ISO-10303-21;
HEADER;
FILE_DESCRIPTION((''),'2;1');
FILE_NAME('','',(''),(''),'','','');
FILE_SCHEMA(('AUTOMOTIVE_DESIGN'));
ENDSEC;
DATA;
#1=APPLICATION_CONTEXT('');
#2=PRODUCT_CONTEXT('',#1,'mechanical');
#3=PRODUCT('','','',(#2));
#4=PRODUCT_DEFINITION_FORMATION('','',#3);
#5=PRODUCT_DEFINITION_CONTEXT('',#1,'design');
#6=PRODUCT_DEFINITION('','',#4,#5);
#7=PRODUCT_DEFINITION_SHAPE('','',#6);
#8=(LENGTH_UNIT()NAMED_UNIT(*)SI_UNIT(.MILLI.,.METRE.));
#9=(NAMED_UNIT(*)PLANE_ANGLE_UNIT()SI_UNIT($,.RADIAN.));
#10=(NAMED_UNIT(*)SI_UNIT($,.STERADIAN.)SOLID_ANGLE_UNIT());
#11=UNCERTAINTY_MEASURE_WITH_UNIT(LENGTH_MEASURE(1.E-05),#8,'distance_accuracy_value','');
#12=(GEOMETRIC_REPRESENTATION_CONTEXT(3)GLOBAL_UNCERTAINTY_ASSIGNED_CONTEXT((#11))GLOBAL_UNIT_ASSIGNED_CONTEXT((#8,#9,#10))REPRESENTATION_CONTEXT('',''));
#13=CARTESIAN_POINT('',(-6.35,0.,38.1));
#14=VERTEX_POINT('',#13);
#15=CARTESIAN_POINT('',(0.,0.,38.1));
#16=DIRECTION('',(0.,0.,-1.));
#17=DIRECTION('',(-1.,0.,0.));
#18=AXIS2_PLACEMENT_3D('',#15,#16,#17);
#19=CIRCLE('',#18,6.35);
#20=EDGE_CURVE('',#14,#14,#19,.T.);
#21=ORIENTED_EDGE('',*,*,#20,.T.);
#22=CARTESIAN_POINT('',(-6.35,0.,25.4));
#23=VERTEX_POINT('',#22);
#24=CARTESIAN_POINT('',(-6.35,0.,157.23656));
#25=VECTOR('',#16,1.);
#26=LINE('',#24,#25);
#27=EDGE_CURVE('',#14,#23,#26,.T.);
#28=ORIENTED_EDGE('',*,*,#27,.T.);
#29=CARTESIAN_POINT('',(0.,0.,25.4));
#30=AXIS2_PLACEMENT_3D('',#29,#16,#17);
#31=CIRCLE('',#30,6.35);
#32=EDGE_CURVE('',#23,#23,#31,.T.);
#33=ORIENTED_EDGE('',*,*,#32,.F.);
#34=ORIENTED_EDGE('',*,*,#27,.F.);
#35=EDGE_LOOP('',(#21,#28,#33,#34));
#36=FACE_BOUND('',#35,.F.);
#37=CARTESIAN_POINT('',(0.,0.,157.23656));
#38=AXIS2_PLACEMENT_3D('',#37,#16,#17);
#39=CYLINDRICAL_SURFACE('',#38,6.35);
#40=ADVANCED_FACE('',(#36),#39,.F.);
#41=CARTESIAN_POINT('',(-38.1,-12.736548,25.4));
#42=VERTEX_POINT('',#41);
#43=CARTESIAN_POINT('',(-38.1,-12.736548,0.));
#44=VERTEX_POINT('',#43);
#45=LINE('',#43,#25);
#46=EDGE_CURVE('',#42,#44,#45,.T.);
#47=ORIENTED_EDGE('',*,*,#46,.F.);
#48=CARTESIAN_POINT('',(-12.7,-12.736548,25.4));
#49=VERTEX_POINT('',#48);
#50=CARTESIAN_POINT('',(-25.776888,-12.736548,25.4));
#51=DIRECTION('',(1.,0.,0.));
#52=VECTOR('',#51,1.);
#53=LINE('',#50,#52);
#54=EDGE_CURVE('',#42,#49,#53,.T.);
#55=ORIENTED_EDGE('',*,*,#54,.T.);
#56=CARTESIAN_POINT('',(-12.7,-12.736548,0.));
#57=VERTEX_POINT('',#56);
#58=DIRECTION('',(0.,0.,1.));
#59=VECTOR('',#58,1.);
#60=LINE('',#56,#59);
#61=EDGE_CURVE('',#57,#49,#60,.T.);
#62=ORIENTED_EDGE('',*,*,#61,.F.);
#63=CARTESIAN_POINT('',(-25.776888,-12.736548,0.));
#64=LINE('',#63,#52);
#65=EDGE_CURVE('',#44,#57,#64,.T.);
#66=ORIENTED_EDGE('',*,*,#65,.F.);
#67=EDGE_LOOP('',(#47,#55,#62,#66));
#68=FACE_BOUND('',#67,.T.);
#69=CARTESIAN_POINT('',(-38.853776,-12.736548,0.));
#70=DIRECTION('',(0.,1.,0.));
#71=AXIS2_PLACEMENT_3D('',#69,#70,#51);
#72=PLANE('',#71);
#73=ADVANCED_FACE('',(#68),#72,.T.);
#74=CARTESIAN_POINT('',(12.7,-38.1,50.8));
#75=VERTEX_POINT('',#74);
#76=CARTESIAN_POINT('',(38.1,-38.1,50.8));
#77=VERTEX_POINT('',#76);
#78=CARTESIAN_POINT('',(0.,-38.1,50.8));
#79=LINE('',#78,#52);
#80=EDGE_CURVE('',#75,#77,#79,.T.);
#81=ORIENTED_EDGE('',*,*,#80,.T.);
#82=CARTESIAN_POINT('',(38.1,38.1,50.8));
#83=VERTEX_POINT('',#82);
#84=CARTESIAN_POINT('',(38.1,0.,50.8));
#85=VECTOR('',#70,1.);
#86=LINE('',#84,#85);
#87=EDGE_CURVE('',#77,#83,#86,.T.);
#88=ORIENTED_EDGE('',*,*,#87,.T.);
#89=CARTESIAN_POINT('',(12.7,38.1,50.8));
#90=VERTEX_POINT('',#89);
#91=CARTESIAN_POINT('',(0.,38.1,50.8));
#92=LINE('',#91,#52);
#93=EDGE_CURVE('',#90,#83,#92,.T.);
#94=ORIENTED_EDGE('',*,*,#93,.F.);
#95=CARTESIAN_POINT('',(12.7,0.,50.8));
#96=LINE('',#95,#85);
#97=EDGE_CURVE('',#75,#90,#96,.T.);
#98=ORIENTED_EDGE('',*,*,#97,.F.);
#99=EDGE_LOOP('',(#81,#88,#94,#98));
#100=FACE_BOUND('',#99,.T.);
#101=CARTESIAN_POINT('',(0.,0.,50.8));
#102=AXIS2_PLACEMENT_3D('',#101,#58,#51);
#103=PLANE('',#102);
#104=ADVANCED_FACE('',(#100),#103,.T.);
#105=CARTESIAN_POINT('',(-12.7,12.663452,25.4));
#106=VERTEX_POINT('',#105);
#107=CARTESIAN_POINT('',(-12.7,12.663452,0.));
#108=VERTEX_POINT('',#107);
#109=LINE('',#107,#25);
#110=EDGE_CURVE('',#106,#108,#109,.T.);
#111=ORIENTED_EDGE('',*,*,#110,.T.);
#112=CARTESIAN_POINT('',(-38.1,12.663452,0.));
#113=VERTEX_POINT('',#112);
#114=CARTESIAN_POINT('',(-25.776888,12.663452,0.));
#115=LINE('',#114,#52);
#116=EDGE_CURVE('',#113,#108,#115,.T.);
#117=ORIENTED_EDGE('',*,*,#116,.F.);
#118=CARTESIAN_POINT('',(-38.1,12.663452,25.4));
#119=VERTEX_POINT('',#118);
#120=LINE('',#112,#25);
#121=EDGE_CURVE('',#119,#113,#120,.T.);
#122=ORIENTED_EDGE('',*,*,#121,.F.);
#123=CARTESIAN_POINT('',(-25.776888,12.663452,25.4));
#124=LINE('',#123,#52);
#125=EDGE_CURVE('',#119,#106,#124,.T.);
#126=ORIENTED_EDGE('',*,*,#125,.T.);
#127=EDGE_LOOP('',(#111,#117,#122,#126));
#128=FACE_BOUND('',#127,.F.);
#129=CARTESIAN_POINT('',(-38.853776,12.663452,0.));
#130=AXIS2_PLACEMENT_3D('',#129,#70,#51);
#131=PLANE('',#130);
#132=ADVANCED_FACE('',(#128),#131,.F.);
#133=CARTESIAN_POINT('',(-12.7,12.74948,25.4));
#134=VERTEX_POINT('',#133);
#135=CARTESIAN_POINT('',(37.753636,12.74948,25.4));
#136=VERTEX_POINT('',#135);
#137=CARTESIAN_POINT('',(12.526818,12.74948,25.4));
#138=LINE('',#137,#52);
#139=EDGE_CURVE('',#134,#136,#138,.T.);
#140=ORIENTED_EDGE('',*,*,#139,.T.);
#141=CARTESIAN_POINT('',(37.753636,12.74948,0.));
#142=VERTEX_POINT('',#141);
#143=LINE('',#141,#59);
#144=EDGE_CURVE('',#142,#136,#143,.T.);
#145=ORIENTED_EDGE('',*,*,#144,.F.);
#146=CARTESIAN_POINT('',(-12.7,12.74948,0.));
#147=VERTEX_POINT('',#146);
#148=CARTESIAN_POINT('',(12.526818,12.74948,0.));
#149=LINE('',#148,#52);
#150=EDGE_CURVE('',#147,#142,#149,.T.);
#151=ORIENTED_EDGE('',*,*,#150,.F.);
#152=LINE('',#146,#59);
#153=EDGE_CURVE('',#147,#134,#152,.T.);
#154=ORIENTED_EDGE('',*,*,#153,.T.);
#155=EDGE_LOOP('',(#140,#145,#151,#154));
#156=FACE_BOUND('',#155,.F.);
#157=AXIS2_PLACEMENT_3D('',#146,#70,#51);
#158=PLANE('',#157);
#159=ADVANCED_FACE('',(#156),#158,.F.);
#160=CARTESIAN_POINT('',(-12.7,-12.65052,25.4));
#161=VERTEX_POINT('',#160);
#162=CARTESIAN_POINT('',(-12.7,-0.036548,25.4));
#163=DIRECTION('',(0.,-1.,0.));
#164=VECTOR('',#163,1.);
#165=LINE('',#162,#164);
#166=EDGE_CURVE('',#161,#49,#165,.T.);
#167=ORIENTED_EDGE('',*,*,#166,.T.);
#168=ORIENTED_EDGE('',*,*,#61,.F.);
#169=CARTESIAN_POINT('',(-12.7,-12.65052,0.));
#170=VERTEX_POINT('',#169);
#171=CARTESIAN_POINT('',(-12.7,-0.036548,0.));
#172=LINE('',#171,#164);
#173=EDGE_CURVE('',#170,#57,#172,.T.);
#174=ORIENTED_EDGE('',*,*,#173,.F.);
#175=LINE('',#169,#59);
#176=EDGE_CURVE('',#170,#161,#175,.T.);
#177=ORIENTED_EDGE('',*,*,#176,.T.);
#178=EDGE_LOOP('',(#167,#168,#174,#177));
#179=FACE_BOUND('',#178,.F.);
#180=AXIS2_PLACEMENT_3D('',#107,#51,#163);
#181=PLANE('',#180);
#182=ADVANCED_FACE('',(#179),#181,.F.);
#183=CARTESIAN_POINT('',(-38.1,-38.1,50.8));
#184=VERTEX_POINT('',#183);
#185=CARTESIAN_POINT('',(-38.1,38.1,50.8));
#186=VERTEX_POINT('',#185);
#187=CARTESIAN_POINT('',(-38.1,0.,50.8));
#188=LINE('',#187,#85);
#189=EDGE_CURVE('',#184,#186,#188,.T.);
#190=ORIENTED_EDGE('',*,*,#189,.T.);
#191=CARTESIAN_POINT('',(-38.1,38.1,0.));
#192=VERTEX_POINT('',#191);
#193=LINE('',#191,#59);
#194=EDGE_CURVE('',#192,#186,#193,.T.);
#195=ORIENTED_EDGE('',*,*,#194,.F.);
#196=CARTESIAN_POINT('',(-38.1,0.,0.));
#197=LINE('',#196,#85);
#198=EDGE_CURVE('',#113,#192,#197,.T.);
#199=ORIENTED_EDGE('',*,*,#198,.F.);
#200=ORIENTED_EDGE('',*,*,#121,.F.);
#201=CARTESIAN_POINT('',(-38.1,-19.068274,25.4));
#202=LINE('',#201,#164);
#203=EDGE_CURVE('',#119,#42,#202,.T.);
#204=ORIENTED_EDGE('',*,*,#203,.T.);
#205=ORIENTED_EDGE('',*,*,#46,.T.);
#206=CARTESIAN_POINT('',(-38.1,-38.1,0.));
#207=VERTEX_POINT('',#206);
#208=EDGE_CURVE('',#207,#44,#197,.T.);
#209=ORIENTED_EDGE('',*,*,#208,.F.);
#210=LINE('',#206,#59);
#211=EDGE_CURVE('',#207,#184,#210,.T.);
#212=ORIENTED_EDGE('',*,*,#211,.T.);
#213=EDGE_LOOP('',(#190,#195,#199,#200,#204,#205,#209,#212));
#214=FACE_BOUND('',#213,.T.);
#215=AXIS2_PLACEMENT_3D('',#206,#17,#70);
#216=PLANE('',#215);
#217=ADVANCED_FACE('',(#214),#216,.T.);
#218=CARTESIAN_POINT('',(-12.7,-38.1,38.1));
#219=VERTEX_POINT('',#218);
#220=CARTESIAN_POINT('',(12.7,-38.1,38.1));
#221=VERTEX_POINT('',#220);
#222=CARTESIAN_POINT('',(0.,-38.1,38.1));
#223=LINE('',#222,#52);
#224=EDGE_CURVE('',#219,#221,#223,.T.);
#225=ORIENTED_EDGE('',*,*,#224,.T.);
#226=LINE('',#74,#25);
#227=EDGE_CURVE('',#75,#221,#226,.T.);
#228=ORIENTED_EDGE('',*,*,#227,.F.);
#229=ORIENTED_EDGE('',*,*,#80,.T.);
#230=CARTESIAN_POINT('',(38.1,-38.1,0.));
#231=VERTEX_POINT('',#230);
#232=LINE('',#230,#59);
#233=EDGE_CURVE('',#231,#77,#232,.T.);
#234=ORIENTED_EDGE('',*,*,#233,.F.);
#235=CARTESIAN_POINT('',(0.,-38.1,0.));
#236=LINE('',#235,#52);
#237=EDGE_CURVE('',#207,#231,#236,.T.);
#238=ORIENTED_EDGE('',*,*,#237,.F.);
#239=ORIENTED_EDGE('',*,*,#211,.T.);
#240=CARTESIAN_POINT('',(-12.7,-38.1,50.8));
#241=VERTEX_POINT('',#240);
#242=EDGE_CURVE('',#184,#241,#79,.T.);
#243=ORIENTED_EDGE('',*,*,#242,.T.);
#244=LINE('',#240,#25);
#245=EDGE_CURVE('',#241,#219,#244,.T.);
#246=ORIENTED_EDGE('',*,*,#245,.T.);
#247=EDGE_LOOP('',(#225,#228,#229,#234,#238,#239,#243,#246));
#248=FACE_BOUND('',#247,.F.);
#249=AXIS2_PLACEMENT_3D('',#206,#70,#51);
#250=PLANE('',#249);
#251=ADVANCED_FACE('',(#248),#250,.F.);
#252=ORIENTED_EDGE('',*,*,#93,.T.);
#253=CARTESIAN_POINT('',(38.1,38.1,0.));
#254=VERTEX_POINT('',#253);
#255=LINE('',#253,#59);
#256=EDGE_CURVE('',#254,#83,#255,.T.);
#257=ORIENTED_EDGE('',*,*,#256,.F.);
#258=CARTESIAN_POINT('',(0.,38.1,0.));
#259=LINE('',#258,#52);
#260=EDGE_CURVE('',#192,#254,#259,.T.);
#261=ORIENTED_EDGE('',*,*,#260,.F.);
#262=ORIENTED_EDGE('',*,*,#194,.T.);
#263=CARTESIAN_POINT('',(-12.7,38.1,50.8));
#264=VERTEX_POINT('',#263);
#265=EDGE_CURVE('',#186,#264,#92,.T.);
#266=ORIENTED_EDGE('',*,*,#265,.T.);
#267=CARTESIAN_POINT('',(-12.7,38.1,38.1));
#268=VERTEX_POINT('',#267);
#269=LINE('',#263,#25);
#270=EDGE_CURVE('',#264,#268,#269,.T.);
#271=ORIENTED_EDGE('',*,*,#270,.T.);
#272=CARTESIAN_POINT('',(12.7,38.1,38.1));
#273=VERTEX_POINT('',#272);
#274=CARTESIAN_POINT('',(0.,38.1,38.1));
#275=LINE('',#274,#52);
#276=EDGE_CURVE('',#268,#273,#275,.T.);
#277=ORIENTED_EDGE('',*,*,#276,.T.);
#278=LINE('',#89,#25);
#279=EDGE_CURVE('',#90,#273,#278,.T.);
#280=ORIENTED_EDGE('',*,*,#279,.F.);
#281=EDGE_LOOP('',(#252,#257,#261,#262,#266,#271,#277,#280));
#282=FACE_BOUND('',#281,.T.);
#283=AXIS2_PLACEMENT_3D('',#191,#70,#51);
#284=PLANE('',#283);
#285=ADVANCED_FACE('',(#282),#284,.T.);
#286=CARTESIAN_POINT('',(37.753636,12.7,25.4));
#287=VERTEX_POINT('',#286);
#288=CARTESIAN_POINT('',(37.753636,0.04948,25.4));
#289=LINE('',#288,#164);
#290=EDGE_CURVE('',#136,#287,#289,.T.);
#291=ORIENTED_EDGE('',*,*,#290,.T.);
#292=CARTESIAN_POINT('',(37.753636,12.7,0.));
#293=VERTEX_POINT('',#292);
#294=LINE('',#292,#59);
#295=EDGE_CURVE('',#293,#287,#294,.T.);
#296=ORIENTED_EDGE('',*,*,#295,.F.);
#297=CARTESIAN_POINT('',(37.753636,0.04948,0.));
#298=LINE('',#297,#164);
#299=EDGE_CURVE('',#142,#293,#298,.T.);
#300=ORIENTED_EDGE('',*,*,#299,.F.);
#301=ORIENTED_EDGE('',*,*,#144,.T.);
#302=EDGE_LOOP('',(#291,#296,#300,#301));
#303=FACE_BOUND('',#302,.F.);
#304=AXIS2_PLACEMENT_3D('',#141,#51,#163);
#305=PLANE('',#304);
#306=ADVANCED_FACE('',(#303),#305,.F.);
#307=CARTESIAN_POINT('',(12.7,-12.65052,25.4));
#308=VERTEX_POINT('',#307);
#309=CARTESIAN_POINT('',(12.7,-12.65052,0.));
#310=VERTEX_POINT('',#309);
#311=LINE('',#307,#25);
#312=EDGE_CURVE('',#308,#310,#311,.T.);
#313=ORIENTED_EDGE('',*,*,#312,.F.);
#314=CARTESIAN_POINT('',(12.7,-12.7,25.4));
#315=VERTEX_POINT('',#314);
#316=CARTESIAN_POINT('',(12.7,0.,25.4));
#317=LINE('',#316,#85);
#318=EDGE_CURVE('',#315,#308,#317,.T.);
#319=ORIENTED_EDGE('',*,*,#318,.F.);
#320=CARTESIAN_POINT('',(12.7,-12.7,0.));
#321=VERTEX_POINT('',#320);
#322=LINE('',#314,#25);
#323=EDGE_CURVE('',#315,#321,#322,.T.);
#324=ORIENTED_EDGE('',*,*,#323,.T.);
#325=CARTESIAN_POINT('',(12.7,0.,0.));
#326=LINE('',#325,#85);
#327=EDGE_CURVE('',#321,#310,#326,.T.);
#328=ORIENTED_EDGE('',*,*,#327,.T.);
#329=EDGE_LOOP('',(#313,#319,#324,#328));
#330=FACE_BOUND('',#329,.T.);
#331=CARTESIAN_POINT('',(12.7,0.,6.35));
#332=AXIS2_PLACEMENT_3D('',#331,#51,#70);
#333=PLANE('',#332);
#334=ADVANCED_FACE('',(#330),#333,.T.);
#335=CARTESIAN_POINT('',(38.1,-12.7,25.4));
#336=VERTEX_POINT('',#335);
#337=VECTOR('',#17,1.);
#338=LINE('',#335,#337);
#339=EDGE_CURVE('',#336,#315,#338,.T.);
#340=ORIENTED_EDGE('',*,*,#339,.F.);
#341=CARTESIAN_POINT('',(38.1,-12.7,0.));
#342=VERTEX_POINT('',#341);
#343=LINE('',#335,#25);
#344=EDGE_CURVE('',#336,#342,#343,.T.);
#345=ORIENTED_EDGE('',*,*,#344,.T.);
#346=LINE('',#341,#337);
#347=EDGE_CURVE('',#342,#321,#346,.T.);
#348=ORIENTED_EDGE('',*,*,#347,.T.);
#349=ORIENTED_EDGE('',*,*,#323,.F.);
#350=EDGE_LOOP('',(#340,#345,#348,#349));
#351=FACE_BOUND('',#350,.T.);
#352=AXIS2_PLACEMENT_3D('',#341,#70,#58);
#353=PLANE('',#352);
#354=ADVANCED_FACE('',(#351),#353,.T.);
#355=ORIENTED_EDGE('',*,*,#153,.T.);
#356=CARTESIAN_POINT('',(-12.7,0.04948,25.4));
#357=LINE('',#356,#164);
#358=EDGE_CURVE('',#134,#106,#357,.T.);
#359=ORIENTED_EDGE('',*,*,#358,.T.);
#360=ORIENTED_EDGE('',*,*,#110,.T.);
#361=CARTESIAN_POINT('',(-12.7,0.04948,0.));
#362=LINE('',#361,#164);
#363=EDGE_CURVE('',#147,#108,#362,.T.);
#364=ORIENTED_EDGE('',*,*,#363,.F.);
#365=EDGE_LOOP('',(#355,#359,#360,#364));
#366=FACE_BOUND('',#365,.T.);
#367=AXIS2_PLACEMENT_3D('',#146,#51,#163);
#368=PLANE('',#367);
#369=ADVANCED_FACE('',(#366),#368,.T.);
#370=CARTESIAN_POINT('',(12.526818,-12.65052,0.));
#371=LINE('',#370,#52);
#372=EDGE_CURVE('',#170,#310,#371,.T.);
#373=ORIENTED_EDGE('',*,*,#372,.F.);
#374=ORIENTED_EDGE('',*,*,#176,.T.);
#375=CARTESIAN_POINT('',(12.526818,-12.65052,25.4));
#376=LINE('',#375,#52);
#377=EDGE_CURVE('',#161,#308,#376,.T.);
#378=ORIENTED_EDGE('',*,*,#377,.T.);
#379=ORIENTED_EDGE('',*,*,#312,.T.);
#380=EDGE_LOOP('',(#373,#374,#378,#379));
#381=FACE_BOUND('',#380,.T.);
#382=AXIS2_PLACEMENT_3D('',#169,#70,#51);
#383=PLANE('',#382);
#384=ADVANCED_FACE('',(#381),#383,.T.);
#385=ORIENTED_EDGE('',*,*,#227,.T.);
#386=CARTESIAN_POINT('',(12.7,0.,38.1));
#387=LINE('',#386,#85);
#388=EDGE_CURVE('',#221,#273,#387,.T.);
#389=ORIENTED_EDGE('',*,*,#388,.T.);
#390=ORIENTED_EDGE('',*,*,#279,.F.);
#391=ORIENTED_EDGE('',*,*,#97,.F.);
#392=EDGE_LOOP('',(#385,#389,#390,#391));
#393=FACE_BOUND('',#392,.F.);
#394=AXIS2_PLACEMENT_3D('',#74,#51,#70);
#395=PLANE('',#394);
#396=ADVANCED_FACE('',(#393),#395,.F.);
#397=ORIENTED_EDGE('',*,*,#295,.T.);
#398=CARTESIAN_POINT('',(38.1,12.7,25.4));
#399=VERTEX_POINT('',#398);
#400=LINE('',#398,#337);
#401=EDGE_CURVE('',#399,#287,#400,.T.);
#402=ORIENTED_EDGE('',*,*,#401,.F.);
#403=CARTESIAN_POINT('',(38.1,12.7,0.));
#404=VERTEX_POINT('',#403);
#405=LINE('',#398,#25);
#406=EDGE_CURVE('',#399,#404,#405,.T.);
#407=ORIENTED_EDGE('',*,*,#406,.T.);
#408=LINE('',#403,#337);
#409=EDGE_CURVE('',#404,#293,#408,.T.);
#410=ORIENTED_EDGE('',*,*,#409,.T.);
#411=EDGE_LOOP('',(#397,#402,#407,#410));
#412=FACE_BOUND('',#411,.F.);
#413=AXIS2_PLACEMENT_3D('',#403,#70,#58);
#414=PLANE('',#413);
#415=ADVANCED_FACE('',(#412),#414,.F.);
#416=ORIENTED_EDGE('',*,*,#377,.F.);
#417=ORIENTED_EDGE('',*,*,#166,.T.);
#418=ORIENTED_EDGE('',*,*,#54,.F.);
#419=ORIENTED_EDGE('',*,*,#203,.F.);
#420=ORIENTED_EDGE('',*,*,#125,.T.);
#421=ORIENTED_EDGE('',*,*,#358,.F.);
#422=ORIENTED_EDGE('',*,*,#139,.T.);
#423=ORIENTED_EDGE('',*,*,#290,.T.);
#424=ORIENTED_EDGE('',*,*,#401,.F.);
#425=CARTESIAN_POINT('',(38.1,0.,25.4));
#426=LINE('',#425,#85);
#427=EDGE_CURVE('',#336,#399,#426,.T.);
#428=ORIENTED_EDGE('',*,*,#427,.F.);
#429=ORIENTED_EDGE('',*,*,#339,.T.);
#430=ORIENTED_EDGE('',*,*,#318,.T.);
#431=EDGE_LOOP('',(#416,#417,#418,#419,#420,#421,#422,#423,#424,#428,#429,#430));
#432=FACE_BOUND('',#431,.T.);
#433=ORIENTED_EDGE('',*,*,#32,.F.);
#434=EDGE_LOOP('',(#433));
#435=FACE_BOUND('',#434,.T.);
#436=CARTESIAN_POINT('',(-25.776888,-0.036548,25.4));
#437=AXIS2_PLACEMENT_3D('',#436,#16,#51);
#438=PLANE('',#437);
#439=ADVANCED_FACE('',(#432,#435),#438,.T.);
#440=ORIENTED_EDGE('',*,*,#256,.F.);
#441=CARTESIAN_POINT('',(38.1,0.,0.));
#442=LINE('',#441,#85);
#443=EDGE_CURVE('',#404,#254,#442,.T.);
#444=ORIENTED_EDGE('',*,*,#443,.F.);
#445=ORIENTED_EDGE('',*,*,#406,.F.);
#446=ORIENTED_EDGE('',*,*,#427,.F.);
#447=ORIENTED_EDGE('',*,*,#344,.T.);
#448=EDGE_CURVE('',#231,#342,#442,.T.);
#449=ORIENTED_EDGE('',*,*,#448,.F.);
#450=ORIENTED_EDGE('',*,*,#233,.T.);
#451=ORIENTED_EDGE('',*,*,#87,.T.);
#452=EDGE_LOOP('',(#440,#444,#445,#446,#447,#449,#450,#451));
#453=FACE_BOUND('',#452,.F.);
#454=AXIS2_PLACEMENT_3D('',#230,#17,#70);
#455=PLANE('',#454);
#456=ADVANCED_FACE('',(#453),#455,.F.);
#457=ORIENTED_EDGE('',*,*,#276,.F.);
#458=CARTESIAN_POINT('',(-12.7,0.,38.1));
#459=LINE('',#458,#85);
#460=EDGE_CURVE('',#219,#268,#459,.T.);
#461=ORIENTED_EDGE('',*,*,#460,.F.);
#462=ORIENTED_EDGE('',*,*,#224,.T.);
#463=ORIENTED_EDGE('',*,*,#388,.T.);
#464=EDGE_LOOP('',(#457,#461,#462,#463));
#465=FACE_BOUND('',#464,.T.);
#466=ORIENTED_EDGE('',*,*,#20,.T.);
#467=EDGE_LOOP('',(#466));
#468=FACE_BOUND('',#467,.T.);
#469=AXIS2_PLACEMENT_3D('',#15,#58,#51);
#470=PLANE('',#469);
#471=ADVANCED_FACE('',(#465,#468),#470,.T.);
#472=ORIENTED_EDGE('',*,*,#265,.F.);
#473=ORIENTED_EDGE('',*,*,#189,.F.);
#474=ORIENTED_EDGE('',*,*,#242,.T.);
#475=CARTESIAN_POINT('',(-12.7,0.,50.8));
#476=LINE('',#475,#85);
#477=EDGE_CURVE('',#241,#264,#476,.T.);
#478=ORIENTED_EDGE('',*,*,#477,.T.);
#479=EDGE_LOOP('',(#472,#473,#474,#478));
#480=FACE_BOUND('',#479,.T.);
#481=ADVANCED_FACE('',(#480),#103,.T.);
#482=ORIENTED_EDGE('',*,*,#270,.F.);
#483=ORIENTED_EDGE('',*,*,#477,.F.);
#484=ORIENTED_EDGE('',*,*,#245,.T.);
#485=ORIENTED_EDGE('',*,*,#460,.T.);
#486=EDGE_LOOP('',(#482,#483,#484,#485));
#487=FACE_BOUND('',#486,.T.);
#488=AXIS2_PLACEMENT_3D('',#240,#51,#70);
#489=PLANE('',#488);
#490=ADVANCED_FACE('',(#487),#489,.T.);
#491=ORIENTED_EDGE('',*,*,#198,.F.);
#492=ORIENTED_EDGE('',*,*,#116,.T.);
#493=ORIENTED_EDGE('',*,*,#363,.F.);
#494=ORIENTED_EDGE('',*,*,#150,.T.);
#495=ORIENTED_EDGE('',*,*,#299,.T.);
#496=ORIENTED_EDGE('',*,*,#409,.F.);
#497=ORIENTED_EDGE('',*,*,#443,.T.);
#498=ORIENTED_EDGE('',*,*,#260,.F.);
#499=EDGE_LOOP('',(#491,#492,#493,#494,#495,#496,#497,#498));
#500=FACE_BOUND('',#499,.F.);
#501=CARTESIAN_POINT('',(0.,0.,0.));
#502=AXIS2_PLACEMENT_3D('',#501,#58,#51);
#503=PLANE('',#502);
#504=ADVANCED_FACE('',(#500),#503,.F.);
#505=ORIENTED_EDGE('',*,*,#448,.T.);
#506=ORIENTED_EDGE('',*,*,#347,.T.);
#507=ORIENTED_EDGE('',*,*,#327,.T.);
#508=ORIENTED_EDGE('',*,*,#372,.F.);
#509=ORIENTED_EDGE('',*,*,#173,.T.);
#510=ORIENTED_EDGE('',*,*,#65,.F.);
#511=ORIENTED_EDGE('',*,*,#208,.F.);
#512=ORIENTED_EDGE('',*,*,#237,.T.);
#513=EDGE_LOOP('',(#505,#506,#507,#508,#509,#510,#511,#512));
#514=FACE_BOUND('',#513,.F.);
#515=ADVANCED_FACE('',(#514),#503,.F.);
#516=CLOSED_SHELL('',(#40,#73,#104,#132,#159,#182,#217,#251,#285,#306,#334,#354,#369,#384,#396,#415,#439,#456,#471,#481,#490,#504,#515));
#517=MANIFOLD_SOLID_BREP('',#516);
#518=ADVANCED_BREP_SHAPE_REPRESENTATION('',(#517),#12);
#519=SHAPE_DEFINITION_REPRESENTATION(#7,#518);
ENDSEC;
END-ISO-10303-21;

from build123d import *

# Parameters (mm, degrees)
F0_W      = 76.2
F0_H      = 76.2
F1_DEPTH  = 50.8
F2_W      = 25.4
F2_H      = 76.2
F3_DEPTH  = 12.7
F6_W      = 26.153776
F6_H      = 25.4
F7_DEPTH  = 25.4
F5_W      = 50.453637
F5_H      = 25.4
F8_DEPTH  = 25.4
F9_W      = 25.4
F9_H      = 12.7
F10_DEPTH = 25.4
F11_W     = 25.4
F11_H     = 12.7
F12_DEPTH = 25.4
F14_D     = 12.7


with BuildPart() as f1:
    # F0 (on Top) → F1 (new body)
    with BuildSketch(Plane.XY):
        Rectangle(F0_W, F0_H)
    extrude(amount=F1_DEPTH)

    # F2 (on face) → F3 (cut)
    with BuildSketch(Plane.XY.offset(50.8)):
        Rectangle(F2_W, F2_H)
    extrude(amount=-F3_DEPTH, mode=Mode.SUBTRACT)

    # F6 (on face) → F7 (cut)
    with BuildSketch(Plane(origin=(0, 0, 0), x_dir=(1, 0, 0), z_dir=(0, 0, -1))):
        with Locations((-25.776888, 0.036548)):
            Rectangle(F6_W, F6_H)
    extrude(amount=-F7_DEPTH, mode=Mode.SUBTRACT)

    # F5 (on face) → F8 (cut)
    with BuildSketch(Plane(origin=(0, 0, 0), x_dir=(1, 0, 0), z_dir=(0, 0, -1))):
        with Locations((12.526818, -0.04948)):
            Rectangle(F5_W, F5_H)
    extrude(amount=-F8_DEPTH, mode=Mode.SUBTRACT)

    # F9 (on face) → F10 (cut)
    with BuildSketch(Plane.YZ.offset(38.1)):
        with Locations((0, 6.35)):
            Rectangle(F9_W, F9_H)
    extrude(amount=-F10_DEPTH, mode=Mode.SUBTRACT)

    # F11 (on face) → F12 (cut)
    with BuildSketch(Plane.YZ.offset(38.1)):
        with Locations((0, 19.05)):
            Rectangle(F11_W, F11_H)
    extrude(amount=-F12_DEPTH, mode=Mode.SUBTRACT)

    # F14 (through all)
    with Locations(Plane.XY.offset(38.1)):
        with Locations((0, 0)):
            Hole(F14_D / 2)


solid = f1.part
